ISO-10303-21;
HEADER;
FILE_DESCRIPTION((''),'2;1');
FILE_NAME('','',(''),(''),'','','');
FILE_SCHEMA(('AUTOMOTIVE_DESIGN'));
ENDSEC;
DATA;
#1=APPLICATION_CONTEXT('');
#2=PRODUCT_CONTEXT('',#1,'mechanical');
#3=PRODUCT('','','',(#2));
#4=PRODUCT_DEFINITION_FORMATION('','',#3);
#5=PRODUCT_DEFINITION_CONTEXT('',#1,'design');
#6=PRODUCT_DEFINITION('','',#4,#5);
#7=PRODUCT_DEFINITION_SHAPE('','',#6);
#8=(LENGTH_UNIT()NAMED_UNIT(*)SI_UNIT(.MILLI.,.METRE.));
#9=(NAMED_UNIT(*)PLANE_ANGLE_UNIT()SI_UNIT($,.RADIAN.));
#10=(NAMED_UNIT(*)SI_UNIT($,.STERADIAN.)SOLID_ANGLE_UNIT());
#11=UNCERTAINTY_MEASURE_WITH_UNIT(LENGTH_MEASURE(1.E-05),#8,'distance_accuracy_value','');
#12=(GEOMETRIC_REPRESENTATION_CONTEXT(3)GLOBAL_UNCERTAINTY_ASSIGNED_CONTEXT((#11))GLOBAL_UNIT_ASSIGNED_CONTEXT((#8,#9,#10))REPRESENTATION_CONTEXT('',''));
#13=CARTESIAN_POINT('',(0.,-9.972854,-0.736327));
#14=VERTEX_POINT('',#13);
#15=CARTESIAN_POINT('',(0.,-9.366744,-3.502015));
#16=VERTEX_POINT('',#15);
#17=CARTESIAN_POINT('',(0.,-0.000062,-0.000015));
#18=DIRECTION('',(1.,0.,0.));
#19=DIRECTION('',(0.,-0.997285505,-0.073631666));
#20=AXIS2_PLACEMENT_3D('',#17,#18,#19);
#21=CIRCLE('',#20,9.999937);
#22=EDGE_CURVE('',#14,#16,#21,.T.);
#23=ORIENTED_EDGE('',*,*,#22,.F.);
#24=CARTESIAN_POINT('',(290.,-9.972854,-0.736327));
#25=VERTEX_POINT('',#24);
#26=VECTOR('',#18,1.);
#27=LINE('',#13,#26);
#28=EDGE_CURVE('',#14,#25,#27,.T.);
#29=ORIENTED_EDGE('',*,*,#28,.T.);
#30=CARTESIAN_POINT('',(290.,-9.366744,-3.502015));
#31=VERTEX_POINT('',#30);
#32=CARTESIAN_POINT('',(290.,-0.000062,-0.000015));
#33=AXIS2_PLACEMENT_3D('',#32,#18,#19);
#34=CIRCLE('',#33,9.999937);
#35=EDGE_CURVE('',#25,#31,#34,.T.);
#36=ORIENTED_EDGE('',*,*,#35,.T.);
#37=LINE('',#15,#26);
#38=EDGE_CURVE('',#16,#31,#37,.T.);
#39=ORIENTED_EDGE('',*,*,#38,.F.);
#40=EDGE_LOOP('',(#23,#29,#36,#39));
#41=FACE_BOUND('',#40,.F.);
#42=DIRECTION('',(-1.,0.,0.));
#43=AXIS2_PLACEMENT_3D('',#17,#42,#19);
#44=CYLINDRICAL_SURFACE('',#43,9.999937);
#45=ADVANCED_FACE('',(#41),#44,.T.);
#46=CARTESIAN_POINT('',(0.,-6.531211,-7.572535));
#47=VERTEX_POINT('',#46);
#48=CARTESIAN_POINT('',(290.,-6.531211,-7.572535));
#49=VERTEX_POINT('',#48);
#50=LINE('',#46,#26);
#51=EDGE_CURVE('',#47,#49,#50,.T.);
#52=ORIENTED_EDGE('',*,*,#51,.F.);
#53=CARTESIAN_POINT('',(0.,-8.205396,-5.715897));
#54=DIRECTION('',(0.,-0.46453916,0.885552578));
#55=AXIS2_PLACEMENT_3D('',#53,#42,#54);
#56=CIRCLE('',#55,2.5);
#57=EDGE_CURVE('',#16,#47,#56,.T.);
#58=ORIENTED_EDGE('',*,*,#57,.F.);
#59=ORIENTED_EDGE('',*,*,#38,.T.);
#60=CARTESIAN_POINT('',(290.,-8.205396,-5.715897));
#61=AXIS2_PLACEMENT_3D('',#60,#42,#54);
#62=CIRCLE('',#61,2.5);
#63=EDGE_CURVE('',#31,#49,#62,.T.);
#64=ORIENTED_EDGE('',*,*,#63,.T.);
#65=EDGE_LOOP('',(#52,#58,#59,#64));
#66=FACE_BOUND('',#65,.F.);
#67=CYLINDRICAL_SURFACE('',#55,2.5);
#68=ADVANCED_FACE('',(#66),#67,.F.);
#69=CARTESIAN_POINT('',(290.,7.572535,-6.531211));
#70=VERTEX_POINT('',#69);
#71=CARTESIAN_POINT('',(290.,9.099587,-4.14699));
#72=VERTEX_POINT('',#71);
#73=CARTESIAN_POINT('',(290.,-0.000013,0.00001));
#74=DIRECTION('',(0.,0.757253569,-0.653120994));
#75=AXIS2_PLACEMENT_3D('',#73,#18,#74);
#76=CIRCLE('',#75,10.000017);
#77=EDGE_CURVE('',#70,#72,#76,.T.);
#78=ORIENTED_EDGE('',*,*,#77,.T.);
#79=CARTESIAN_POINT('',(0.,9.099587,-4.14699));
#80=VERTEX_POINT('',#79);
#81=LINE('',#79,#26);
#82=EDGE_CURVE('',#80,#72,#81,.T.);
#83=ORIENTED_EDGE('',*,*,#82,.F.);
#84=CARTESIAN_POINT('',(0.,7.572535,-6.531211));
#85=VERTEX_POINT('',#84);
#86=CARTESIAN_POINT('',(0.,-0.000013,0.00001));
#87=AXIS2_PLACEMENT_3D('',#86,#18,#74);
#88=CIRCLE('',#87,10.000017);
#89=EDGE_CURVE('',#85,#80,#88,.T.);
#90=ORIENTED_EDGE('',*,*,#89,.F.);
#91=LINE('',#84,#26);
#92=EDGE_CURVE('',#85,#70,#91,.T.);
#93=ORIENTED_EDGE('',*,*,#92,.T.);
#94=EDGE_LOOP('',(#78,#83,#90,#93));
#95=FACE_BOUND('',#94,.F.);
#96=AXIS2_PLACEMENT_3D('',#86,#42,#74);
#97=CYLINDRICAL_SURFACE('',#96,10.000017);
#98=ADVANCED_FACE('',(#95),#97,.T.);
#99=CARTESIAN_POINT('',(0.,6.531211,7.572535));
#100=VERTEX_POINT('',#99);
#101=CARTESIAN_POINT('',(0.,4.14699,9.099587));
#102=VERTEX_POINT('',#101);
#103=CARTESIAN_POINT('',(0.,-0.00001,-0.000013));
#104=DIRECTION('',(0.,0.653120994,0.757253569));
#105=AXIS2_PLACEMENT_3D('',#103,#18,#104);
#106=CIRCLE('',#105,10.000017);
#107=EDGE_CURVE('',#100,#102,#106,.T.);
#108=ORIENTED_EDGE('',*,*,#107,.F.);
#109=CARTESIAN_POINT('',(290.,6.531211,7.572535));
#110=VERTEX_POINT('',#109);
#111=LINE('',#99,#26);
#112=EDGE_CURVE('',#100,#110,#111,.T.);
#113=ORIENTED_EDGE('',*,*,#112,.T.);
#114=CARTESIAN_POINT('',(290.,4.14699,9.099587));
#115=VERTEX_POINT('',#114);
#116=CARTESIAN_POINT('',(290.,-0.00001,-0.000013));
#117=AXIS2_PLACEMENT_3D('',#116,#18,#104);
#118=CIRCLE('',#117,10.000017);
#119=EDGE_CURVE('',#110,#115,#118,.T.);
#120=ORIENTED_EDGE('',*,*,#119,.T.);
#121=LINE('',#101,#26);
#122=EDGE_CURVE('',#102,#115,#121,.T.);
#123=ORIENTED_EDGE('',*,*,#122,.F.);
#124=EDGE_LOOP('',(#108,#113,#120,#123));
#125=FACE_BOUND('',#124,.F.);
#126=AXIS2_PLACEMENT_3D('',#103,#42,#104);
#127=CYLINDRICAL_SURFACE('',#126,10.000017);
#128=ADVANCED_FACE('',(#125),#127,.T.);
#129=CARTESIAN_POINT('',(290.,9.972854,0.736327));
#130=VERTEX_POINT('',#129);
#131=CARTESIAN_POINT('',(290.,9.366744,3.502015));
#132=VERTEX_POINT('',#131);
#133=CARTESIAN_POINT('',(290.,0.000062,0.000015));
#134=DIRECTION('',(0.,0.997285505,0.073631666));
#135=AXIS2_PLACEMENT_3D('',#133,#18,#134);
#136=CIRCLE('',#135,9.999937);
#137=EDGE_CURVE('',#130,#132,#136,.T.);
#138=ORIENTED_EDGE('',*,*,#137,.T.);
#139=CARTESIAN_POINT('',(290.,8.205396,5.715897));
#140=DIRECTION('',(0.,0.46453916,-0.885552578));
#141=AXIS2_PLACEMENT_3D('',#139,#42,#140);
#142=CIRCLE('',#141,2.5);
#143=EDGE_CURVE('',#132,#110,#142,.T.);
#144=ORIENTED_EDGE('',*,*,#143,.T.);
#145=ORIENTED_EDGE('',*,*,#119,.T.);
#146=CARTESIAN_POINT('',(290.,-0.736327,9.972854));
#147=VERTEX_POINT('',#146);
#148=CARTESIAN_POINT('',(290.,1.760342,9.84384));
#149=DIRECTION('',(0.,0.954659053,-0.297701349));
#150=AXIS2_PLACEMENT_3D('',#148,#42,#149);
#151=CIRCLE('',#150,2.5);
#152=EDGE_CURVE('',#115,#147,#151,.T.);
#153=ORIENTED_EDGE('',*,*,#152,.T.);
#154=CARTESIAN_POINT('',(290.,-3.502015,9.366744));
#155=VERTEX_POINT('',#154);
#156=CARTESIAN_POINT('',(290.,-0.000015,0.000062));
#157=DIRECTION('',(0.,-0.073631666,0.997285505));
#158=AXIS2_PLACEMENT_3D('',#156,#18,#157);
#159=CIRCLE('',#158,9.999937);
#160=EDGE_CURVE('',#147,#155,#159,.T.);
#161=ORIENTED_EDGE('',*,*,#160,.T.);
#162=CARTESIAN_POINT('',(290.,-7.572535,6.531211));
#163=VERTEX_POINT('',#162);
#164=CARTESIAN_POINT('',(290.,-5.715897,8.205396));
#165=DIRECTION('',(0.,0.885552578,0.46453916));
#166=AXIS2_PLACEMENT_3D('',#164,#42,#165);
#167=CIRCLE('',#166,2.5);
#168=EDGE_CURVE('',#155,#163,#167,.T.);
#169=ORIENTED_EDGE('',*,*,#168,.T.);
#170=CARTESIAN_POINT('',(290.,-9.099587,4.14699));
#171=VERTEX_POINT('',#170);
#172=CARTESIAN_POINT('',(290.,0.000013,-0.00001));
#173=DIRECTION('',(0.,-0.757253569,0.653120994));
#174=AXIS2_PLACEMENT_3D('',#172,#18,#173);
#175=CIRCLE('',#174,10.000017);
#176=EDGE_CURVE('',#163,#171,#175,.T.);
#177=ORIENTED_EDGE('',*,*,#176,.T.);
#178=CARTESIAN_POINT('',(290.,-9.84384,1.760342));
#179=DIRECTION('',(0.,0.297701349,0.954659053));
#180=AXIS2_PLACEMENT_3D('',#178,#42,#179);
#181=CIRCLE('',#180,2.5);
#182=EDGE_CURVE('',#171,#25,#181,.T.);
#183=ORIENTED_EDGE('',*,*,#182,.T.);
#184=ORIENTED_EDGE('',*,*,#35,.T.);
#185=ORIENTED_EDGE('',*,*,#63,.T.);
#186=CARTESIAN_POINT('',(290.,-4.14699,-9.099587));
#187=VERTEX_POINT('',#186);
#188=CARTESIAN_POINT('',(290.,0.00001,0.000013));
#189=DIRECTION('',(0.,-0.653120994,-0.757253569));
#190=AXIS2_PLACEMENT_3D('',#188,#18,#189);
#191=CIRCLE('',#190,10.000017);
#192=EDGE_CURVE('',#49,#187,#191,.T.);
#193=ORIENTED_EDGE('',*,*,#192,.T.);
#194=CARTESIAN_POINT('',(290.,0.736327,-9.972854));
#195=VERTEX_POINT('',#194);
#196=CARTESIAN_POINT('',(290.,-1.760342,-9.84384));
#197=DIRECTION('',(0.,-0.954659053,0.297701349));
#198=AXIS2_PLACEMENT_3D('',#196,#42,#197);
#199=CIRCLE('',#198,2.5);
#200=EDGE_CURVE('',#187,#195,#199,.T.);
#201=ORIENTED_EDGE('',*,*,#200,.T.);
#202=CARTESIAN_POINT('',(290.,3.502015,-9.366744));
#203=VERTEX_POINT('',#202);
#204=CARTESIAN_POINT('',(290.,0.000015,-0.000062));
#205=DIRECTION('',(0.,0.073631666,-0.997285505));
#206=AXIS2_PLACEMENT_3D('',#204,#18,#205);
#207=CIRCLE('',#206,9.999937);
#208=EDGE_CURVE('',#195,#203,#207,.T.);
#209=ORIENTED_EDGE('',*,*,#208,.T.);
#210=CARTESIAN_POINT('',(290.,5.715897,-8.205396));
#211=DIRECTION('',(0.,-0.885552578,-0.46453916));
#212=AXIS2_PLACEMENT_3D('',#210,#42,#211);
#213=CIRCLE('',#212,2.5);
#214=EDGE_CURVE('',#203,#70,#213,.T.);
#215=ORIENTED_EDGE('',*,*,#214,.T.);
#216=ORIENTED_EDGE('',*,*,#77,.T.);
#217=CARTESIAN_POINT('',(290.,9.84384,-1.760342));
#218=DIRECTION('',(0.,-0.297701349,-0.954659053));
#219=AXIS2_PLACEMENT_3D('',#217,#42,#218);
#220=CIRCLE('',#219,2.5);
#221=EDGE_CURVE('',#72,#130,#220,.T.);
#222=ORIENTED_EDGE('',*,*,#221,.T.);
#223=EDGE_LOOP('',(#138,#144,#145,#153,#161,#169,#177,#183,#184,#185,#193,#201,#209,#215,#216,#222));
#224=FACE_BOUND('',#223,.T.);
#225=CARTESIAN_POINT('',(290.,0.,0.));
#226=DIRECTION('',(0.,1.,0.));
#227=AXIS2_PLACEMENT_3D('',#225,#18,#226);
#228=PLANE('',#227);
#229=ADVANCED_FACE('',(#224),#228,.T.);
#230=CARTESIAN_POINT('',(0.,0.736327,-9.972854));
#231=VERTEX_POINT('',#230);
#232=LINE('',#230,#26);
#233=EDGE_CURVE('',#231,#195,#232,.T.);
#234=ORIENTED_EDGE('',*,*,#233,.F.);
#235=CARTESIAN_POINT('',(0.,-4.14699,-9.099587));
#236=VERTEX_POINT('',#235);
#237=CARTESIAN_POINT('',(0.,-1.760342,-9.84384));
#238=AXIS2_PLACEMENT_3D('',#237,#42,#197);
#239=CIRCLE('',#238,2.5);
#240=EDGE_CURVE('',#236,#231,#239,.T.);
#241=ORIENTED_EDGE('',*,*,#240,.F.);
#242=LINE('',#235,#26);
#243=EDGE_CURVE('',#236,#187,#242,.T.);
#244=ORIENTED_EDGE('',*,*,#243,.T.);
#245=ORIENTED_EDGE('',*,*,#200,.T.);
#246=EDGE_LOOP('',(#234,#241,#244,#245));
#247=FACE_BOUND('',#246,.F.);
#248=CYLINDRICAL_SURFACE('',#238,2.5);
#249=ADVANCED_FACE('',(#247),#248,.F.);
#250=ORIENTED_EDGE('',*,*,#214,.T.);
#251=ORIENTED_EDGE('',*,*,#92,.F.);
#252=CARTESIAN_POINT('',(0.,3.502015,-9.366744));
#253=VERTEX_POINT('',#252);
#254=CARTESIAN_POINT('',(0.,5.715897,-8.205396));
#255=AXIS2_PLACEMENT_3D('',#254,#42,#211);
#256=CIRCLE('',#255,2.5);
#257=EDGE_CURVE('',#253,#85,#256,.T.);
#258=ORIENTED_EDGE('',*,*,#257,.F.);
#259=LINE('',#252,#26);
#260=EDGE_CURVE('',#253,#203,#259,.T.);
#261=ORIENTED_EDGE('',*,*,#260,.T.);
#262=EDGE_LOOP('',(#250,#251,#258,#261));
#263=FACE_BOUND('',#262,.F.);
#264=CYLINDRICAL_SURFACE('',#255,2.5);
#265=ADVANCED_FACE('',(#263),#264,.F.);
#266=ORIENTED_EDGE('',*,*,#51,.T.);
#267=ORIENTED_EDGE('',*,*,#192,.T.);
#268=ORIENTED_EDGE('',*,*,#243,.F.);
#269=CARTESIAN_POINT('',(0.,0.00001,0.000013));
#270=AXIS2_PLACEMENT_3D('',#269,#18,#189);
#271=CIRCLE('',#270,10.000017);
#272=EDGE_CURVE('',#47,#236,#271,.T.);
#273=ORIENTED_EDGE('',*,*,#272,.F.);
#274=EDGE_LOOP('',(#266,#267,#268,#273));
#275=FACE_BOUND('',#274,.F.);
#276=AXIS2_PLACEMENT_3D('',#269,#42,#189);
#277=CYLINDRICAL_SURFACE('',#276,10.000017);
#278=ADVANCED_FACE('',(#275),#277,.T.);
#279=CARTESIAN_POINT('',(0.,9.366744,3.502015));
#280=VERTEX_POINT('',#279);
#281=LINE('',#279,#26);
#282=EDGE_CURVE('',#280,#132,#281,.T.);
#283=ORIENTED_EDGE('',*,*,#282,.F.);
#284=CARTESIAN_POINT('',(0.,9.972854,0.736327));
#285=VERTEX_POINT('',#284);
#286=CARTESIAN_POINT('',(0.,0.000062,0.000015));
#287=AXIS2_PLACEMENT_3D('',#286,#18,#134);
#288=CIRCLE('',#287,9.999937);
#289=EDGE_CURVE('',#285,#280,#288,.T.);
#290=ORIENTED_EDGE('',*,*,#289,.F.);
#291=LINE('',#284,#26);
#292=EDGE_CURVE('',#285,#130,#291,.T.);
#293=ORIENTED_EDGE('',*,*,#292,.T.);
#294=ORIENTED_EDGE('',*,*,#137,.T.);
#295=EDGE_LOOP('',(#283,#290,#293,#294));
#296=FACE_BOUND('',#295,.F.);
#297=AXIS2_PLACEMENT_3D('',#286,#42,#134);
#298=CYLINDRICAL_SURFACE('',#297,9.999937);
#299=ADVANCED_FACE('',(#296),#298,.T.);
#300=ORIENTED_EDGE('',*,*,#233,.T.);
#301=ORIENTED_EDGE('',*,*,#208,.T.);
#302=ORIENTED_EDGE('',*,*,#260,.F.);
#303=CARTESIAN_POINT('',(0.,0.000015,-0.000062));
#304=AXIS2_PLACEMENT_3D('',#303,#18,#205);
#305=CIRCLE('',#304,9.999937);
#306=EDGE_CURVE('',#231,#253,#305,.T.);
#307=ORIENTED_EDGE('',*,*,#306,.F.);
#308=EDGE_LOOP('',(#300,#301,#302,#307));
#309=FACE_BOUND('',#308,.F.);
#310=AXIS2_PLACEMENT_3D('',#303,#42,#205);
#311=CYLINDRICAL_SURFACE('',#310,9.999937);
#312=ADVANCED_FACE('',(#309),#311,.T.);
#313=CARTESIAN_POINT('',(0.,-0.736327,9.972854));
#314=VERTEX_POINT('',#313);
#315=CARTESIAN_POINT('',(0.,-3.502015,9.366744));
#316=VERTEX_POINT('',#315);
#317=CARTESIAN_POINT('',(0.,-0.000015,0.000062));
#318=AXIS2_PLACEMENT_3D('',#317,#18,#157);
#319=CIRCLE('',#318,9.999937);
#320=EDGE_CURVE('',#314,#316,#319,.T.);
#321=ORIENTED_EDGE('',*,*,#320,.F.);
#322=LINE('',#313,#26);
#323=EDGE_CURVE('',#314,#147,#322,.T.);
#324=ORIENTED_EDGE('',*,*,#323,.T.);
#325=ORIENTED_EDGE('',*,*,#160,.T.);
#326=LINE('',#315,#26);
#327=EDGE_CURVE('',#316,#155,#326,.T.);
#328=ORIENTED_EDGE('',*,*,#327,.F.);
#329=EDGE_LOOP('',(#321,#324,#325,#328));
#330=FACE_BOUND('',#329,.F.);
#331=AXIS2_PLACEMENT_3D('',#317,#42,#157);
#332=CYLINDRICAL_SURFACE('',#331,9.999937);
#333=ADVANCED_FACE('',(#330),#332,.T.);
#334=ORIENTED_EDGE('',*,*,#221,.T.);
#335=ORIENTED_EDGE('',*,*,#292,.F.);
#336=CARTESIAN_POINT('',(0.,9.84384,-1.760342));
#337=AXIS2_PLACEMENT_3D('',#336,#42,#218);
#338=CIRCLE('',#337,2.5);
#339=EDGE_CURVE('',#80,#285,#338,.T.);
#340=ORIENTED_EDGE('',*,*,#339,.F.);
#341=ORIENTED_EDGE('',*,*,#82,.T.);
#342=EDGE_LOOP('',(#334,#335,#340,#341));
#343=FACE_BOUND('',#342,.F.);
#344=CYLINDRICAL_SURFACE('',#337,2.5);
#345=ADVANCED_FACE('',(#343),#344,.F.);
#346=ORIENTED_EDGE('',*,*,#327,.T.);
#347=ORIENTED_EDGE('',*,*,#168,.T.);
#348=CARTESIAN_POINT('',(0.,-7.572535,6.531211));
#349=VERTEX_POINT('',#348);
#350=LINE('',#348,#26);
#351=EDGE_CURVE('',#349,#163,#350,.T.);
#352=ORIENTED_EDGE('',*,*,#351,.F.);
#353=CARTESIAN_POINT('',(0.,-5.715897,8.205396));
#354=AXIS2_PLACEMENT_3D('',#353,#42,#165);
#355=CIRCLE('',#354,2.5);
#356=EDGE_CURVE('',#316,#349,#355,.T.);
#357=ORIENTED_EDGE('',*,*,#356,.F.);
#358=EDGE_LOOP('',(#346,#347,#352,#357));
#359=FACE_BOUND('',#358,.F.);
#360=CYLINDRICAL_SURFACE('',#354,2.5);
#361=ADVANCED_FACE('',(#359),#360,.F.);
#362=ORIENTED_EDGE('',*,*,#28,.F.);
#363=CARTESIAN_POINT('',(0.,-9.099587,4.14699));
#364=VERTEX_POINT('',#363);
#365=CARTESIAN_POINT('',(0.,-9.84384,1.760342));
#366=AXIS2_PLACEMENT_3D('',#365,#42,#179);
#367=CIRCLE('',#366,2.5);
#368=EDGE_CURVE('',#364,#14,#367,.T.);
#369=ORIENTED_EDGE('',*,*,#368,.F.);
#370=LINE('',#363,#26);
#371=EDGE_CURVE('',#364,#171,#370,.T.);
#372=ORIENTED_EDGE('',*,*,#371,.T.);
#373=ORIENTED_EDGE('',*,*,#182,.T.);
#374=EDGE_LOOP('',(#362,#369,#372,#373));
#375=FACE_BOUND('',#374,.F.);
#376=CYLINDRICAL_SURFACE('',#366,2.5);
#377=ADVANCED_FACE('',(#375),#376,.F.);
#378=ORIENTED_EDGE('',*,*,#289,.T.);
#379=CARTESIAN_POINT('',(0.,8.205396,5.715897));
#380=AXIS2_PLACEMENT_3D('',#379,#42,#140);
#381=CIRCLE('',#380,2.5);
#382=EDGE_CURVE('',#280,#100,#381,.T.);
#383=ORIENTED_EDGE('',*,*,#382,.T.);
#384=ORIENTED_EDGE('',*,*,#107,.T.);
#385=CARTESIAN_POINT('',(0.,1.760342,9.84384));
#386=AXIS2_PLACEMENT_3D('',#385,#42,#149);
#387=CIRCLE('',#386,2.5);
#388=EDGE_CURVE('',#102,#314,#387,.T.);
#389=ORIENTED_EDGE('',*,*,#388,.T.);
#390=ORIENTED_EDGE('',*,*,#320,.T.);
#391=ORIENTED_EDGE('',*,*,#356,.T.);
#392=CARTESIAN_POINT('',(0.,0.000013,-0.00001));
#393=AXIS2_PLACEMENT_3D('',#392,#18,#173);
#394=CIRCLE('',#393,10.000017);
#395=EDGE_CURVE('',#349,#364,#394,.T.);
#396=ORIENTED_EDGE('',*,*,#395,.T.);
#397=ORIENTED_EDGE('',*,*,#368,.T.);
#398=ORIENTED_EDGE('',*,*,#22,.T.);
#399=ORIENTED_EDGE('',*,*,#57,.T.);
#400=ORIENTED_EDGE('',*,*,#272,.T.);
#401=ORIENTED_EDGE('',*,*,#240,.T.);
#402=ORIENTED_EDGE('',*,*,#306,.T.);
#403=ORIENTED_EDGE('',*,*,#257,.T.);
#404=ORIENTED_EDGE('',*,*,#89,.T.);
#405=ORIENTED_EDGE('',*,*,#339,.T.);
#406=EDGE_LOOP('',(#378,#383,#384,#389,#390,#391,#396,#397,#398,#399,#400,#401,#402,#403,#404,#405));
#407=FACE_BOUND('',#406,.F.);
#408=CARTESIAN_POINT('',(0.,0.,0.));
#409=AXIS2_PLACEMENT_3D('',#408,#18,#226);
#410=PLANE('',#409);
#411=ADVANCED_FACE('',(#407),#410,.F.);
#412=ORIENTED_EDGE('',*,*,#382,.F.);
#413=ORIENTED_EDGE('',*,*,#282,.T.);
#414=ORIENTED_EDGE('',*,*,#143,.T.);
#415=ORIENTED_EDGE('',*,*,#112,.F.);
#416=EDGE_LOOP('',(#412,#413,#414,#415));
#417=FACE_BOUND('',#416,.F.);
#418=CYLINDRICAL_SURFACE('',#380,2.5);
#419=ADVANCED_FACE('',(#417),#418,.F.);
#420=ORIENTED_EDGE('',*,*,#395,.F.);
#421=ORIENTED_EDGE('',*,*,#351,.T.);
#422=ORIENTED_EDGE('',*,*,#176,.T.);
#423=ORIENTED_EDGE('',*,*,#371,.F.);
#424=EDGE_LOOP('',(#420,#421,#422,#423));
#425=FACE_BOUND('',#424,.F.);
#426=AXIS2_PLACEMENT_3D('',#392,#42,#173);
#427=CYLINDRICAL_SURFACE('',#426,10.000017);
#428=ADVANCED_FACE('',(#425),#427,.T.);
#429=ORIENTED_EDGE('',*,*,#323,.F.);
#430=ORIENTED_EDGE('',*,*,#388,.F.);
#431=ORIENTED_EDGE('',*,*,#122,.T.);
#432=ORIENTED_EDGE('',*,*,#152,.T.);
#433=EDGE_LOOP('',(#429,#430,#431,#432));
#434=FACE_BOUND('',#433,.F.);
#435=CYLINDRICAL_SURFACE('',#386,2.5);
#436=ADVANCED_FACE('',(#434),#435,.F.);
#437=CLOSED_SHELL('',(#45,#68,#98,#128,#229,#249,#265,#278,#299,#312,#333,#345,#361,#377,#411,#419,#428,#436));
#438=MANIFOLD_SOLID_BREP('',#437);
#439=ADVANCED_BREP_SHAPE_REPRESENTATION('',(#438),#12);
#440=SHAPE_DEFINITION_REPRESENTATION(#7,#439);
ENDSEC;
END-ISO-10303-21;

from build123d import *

# Parameters (mm, degrees)
F1_DEPTH = 290


with BuildPart() as f1:
    # F0 (on Right) → F1 (new body)
    with BuildSketch(Plane.YZ):
        with BuildLine():
            ThreePointArc((3.502015, -9.366744), (4.286922, -6.154047), (7.572535, -6.531211))
            ThreePointArc((7.572535, -6.531211), (8.420869, -5.393419), (9.099587, -4.14699))
            ThreePointArc((9.099587, -4.14699), (7.38288, -1.320257), (9.972854, 0.736327))
            ThreePointArc((9.972854, 0.736327), (9.768177, 2.140731), (9.366744, 3.502015))
            ThreePointArc((9.366744, 3.502015), (6.154047, 4.286922), (6.531211, 7.572535))
            ThreePointArc((6.531211, 7.572535), (5.393419, 8.420869), (4.14699, 9.099587))
            ThreePointArc((4.14699, 9.099587), (1.320257, 7.38288), (-0.736327, 9.972854))
            ThreePointArc((-0.736327, 9.972854), (-2.140731, 9.768177), (-3.502015, 9.366744))
            ThreePointArc((-3.502015, 9.366744), (-4.286922, 6.154047), (-7.572535, 6.531211))
            ThreePointArc((-7.572535, 6.531211), (-8.420869, 5.393419), (-9.099587, 4.14699))
            ThreePointArc((-9.099587, 4.14699), (-7.38288, 1.320257), (-9.972854, -0.736327))
            ThreePointArc((-9.972854, -0.736327), (-9.768177, -2.140731), (-9.366744, -3.502015))
            ThreePointArc((-9.366744, -3.502015), (-6.154047, -4.286922), (-6.531211, -7.572535))
            ThreePointArc((-6.531211, -7.572535), (-5.393419, -8.420869), (-4.14699, -9.099587))
            ThreePointArc((-4.14699, -9.099587), (-1.320257, -7.38288), (0.736327, -9.972854))
            ThreePointArc((0.736327, -9.972854), (2.140731, -9.768177), (3.502015, -9.366744))
        make_face()
    extrude(amount=F1_DEPTH)


solid = f1.part
